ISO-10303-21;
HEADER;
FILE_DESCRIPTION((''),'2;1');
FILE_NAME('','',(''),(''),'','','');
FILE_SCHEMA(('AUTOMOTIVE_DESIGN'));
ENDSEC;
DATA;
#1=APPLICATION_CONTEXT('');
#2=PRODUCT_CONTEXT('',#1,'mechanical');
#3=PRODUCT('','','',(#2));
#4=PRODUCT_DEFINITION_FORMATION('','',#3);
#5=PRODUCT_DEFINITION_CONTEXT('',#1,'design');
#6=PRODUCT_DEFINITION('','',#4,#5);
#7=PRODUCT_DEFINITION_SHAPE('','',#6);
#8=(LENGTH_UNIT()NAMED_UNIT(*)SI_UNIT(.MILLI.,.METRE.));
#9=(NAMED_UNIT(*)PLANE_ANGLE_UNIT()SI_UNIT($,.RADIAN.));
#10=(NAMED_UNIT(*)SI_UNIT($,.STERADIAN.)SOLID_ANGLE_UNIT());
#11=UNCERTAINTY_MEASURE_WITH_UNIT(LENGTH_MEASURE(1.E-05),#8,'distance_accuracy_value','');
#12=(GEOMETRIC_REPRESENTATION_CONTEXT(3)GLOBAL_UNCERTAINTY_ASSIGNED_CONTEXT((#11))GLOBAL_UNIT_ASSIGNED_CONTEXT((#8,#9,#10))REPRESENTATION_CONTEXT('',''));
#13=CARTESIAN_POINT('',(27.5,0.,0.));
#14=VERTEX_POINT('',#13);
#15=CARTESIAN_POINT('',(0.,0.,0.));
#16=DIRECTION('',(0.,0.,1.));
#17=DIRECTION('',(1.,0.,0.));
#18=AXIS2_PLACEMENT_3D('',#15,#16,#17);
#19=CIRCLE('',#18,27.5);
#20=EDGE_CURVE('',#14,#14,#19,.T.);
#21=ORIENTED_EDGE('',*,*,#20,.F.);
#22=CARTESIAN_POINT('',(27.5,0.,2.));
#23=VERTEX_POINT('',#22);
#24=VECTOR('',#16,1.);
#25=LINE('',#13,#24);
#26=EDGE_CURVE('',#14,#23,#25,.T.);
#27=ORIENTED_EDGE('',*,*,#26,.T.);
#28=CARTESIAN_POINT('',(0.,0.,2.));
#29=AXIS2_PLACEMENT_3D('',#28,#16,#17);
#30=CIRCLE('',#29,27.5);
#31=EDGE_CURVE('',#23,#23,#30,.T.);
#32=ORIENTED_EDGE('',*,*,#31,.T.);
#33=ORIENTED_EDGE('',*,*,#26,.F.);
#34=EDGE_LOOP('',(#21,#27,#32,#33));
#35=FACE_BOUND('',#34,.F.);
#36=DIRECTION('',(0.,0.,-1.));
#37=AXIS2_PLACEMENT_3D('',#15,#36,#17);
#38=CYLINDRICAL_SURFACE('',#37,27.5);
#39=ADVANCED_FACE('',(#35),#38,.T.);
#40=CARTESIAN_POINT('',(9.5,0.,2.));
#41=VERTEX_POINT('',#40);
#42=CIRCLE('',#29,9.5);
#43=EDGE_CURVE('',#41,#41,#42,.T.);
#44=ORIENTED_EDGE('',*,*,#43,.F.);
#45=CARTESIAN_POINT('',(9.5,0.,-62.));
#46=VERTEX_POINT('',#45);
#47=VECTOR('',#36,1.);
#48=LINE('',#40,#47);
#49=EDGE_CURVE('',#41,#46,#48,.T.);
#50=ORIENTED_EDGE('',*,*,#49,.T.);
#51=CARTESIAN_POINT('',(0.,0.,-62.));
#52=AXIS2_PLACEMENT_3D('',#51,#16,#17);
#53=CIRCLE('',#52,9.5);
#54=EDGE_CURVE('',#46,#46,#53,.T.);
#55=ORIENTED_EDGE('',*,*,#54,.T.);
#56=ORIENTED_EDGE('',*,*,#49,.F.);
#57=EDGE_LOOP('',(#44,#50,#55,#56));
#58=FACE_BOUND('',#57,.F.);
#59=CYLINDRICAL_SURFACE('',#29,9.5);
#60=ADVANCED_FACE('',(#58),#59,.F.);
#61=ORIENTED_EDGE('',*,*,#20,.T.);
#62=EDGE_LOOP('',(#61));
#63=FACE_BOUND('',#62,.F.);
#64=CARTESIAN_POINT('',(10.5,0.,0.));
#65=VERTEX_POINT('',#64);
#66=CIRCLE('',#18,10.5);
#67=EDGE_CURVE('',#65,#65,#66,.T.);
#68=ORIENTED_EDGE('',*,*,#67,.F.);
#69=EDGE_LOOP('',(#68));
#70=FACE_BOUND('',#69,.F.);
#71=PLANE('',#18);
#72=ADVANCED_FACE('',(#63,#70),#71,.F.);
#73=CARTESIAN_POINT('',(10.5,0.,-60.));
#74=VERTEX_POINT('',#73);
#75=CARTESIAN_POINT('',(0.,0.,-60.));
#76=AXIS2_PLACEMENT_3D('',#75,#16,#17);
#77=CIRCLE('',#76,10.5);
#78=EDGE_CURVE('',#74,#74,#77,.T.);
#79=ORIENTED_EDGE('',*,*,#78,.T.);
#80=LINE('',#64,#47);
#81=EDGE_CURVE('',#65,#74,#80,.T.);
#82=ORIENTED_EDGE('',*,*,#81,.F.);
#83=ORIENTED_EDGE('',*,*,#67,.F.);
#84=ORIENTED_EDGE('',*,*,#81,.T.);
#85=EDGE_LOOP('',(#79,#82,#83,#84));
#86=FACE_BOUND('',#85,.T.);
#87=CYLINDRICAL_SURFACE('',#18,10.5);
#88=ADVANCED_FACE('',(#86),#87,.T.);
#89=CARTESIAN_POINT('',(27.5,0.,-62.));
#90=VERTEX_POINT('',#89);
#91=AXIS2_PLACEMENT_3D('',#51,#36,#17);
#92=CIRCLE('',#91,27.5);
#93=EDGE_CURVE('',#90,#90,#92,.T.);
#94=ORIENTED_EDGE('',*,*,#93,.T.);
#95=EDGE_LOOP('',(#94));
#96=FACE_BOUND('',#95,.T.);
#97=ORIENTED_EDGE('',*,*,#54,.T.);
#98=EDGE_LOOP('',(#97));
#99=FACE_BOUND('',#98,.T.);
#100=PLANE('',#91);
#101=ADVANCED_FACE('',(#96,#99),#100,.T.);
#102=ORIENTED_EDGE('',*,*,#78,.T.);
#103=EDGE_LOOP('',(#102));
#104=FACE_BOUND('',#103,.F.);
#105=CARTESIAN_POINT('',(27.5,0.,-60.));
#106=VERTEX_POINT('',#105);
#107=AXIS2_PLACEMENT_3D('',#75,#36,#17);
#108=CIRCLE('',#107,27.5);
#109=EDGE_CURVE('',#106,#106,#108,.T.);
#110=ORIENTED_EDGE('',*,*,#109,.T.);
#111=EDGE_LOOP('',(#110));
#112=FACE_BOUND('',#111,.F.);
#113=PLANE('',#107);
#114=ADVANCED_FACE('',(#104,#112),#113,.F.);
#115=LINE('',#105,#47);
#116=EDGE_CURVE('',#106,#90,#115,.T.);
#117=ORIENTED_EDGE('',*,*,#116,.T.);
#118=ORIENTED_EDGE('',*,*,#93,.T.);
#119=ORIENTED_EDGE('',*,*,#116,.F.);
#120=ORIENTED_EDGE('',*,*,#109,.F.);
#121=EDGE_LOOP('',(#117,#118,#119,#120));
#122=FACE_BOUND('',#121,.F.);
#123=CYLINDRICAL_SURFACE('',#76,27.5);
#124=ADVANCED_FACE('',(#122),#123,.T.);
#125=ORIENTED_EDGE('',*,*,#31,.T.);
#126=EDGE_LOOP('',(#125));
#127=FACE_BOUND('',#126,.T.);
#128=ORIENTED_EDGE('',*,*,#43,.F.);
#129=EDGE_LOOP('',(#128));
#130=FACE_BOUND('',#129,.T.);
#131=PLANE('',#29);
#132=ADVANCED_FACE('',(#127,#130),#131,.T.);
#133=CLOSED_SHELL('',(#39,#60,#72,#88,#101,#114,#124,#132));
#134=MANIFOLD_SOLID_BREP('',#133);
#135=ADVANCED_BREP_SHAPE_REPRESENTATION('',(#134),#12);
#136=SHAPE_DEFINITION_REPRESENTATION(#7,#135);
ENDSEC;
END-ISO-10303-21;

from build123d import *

# Parameters (mm, degrees)
F0_R     = 27.5
F2_DEPTH = 2
F1_R     = 10.5
F3_DEPTH = 60
F4_R     = 27.5
F5_DEPTH = 2
F6_R     = 9.5
F7_DEPTH = 64


with BuildPart() as f2:
    # F0 (on Top) → F2 (new body)
    with BuildSketch(Plane.XY):
        Circle(F0_R)
    extrude(amount=F2_DEPTH)

    # F1 (on Top) → F3 (join)
    with BuildSketch(Plane.XY):
        Circle(F1_R)
    extrude(amount=-F3_DEPTH)

    # F4 (on face) → F5 (join)
    with BuildSketch(Plane(origin=(0, 0, -60), x_dir=(1, 0, 0), z_dir=(0, 0, -1))):
        Circle(F4_R)
    extrude(amount=F5_DEPTH)

    # F6 (on face) → F7 (cut, through all)
    with BuildSketch(Plane.XY.offset(2)):
        Circle(F6_R)
    extrude(amount=-F7_DEPTH, mode=Mode.SUBTRACT)


solid = f2.part
